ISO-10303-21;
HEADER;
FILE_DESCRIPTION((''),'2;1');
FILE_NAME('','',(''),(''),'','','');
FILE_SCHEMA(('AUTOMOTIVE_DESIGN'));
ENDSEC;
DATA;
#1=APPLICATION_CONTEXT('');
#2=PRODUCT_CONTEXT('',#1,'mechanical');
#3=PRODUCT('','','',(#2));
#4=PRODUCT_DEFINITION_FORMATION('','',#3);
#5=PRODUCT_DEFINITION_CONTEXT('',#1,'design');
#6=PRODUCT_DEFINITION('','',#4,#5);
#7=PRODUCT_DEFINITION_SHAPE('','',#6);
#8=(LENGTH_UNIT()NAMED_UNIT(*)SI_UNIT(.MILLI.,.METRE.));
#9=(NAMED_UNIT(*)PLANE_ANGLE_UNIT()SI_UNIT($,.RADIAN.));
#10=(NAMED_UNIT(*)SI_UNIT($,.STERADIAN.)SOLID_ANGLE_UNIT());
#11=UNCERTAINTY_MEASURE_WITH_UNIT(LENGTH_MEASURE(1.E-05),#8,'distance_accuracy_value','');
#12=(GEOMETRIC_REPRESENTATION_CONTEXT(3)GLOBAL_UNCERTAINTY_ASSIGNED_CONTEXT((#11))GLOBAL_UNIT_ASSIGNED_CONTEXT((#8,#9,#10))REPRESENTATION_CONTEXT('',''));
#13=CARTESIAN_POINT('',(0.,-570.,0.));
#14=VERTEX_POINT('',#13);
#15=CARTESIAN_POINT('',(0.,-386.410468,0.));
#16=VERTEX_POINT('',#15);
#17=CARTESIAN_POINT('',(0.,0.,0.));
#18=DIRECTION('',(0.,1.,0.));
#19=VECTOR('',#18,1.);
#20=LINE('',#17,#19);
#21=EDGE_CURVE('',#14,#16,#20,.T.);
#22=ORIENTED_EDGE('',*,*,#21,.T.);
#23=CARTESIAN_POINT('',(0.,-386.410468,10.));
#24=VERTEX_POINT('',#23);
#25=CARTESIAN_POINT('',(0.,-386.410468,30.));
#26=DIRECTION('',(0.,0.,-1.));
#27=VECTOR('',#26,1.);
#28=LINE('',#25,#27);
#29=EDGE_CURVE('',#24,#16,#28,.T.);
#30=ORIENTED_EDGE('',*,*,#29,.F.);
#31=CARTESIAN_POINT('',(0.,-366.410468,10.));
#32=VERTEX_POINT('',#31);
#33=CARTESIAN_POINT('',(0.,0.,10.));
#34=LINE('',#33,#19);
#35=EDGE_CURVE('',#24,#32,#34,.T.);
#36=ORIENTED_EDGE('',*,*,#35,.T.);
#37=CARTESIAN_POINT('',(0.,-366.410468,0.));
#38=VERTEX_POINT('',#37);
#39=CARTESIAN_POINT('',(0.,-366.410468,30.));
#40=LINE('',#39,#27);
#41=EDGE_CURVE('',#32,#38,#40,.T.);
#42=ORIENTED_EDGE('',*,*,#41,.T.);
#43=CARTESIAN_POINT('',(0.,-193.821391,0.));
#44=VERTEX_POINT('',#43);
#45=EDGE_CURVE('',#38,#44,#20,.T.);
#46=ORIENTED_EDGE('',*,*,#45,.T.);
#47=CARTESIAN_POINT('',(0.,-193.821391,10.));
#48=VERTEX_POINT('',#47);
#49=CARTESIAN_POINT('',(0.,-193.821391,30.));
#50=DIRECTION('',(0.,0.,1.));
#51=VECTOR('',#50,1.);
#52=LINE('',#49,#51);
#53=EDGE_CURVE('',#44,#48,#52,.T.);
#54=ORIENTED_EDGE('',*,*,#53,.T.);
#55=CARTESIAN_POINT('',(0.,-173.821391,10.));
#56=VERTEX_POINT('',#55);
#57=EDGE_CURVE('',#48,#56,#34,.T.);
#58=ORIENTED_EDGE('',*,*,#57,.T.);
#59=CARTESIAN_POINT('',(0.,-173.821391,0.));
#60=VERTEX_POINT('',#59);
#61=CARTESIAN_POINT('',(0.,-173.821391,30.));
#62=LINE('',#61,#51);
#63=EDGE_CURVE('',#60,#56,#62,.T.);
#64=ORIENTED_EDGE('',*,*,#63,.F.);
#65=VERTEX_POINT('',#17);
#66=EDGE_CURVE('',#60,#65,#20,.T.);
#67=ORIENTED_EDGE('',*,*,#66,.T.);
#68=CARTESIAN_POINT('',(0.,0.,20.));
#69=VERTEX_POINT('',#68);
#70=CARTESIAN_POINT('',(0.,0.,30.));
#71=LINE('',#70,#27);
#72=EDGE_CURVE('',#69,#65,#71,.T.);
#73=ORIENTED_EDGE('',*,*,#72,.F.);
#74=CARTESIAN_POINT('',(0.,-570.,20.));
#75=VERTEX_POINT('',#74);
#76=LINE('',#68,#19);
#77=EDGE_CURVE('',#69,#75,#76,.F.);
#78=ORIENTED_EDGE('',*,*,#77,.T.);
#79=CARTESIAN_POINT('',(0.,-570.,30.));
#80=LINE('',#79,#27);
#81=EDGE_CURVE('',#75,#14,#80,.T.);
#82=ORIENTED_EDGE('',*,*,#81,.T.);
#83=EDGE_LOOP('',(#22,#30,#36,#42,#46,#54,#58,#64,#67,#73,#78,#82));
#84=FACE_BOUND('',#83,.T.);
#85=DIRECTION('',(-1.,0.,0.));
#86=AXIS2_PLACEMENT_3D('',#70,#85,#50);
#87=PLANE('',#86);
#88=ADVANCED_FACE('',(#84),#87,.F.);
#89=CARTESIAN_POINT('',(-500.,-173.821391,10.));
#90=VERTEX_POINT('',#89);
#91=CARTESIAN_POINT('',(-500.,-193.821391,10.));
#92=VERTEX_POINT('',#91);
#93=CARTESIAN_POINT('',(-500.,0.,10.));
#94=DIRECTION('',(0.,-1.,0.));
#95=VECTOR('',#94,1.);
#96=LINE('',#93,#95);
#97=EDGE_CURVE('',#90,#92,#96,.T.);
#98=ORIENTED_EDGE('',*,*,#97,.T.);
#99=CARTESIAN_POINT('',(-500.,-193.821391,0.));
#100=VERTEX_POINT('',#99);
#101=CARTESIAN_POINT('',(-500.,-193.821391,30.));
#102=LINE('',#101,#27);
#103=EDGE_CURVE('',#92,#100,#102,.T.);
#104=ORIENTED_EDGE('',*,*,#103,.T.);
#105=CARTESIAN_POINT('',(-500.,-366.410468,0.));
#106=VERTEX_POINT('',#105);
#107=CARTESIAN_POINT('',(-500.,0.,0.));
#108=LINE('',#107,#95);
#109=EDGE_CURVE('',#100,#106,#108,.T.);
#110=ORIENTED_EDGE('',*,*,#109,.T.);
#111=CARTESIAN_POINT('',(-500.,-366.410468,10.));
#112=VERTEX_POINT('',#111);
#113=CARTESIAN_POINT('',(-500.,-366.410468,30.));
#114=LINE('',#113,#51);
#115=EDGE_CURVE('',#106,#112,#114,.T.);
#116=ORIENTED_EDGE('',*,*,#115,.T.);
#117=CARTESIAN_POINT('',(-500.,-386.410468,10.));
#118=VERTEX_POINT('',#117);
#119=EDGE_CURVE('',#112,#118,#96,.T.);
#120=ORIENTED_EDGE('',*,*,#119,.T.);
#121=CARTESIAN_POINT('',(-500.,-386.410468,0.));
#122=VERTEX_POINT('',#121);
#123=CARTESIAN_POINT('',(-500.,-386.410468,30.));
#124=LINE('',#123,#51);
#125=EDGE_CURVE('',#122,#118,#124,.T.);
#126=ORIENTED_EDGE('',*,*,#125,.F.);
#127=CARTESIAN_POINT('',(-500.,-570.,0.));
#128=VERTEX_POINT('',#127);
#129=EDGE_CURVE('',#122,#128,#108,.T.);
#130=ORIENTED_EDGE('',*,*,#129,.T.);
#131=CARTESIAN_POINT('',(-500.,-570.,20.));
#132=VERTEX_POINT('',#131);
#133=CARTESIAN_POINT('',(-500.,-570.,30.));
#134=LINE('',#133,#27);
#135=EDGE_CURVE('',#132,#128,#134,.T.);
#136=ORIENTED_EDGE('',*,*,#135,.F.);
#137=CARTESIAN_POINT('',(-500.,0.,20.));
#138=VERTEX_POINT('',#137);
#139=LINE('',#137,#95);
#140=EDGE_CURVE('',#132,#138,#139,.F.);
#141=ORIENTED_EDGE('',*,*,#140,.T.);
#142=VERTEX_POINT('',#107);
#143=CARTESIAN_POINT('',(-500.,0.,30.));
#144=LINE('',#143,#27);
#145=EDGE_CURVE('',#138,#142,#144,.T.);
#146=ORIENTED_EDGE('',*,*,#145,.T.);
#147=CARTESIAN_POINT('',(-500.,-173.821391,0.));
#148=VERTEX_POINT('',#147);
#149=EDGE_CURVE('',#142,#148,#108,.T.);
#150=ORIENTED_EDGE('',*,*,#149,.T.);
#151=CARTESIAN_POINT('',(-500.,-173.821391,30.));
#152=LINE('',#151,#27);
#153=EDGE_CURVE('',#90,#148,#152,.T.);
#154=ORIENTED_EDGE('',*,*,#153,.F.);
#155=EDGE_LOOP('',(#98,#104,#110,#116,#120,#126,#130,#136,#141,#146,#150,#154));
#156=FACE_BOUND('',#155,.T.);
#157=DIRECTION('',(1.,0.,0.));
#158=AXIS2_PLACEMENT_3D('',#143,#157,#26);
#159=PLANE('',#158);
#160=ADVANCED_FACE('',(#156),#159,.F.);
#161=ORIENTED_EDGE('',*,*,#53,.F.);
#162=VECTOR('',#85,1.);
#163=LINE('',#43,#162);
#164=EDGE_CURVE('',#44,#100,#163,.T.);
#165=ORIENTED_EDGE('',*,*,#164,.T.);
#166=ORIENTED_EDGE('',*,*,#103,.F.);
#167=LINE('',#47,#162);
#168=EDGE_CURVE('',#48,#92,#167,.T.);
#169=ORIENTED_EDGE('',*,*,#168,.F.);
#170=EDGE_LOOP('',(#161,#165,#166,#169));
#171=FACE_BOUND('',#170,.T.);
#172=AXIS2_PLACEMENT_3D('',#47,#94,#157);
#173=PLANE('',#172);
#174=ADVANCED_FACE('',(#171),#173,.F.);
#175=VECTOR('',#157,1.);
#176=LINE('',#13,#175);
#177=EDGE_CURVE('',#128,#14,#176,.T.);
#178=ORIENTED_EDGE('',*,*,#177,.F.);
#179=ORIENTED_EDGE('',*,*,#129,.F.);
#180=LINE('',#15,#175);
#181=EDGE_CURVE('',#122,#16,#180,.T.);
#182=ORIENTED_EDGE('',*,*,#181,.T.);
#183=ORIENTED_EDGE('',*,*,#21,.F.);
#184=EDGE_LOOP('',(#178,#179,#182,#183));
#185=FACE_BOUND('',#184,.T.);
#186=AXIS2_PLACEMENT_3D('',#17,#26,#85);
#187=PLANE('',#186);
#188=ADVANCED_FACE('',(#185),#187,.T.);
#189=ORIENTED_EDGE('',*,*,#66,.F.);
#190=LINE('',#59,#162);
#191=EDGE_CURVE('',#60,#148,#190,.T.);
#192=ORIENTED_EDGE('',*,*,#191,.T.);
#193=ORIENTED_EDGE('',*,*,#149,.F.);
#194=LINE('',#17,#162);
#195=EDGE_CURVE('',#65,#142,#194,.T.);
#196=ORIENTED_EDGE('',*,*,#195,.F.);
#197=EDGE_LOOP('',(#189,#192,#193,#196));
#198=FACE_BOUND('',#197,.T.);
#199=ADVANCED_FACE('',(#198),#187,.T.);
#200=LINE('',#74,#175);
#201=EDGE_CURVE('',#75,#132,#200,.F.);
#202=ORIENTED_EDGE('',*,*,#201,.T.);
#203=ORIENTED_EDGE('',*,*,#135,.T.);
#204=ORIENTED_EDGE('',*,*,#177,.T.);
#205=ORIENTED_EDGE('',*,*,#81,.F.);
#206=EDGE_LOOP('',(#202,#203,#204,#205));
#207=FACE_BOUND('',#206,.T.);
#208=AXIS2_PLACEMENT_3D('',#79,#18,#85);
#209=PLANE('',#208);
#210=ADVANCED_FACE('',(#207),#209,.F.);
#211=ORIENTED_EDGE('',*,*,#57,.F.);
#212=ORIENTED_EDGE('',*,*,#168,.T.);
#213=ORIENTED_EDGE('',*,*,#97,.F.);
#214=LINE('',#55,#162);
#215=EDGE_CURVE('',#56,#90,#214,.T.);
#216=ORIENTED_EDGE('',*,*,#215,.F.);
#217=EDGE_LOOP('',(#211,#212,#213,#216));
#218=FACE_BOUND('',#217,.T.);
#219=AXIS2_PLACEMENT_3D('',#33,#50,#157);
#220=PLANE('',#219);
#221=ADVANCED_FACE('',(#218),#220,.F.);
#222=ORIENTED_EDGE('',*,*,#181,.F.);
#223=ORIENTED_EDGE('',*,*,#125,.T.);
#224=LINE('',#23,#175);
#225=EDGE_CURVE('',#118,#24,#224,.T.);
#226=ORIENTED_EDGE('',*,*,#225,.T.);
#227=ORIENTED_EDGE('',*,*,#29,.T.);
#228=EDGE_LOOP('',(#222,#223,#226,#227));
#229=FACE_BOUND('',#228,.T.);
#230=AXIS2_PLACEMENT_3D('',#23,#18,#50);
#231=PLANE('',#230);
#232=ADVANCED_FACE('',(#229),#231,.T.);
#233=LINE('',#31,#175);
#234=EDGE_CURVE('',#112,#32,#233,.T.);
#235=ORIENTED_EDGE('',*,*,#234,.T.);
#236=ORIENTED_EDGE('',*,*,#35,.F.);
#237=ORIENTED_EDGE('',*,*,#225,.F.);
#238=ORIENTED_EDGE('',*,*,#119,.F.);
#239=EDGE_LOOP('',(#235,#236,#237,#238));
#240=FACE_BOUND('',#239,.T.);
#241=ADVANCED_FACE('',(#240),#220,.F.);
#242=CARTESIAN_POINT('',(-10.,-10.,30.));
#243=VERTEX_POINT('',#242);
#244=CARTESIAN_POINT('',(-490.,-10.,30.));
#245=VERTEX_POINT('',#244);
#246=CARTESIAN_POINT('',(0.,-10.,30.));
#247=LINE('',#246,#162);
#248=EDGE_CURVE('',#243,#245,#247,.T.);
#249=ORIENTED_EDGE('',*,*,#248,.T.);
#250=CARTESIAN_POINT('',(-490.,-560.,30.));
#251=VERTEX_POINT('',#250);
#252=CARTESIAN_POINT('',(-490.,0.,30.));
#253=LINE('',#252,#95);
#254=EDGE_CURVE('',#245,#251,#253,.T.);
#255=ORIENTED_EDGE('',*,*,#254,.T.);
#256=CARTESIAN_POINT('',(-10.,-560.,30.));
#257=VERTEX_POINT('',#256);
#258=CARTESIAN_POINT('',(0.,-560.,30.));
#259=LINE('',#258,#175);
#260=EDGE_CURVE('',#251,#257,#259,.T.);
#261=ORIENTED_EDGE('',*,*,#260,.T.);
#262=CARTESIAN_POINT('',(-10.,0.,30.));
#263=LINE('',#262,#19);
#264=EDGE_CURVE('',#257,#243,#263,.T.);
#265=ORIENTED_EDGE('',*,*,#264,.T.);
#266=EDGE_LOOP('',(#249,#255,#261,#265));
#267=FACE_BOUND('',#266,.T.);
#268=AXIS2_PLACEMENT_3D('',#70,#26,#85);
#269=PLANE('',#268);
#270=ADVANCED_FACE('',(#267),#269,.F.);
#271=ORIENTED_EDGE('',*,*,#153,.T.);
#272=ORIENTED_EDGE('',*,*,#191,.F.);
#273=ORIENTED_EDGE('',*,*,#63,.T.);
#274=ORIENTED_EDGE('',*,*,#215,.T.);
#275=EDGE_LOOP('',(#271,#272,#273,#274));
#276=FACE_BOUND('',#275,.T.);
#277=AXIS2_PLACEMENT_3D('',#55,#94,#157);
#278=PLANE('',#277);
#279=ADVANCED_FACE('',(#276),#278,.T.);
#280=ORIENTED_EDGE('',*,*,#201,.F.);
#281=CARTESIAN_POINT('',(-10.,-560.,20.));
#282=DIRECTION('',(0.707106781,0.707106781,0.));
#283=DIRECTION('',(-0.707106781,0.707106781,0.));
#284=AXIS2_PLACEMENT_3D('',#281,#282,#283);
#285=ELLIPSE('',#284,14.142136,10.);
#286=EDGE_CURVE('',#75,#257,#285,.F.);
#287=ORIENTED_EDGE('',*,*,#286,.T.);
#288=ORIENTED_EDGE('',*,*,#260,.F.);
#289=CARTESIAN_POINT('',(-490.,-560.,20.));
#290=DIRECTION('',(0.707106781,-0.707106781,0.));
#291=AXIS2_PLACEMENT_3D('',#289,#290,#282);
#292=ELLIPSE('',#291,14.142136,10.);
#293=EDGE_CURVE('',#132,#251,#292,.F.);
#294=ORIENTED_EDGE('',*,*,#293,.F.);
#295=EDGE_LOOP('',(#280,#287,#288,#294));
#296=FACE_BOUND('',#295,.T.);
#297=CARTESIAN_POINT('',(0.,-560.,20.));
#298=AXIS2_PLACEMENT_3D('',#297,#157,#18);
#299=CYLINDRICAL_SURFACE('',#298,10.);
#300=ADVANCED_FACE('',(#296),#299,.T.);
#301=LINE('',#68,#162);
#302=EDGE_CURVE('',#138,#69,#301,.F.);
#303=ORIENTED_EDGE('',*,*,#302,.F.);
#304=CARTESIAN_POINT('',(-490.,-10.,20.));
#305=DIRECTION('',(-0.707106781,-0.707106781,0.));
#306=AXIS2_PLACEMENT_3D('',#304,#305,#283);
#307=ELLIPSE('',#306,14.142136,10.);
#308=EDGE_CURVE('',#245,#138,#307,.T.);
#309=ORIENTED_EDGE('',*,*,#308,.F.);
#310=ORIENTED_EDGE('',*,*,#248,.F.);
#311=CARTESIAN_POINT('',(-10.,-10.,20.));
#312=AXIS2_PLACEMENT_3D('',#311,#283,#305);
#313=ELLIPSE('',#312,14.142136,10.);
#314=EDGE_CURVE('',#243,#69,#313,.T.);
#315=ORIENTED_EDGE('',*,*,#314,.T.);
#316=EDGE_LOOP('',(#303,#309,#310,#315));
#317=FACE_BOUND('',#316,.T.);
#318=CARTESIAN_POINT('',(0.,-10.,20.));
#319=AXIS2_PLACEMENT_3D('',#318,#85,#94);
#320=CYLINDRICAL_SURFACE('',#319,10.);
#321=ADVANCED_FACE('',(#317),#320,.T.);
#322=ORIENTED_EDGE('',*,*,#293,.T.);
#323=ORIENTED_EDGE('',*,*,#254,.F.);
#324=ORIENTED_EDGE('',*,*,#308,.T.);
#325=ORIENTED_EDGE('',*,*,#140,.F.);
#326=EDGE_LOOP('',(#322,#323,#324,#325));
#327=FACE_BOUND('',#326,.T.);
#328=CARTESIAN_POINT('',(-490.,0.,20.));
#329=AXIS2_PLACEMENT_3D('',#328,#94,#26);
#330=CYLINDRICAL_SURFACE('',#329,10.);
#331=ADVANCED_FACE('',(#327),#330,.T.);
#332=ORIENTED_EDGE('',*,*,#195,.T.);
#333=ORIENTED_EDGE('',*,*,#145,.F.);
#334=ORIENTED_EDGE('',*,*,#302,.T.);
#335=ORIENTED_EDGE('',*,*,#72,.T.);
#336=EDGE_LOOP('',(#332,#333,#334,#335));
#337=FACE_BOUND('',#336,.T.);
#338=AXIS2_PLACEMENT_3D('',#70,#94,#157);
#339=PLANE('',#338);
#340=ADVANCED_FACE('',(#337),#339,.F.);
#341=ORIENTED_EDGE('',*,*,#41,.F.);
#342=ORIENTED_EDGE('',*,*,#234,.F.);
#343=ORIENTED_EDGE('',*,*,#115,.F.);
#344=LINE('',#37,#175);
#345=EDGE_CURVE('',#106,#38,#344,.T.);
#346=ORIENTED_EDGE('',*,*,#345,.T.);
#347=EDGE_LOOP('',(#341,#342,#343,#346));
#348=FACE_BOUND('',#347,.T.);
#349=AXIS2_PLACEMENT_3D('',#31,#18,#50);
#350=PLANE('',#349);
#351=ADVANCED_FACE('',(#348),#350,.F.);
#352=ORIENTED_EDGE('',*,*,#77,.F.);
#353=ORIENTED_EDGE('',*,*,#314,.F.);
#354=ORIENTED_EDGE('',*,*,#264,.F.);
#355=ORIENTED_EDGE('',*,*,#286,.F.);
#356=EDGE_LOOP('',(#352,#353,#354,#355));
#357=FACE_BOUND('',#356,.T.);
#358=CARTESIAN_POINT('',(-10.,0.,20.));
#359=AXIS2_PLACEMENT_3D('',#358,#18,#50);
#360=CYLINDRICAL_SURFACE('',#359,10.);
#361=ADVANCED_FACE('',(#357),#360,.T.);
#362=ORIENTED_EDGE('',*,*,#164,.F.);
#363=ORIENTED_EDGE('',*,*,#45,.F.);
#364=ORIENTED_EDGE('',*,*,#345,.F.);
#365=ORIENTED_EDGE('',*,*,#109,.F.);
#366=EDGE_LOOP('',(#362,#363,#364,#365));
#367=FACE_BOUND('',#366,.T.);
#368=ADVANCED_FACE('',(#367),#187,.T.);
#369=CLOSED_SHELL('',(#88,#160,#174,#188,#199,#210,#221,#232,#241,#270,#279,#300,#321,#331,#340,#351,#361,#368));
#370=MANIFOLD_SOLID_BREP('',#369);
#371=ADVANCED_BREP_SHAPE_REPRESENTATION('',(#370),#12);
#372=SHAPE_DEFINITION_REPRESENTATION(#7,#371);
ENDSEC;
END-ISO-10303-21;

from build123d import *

# Parameters (mm, degrees)
SKETCH1_W           = 500
SKETCH1_H           = 570
BOSS_EXTRUDE1_DEPTH = 30
FILLET1_R           = 10
SKETCH3_W           = 500
SKETCH3_H           = 20
SKETCH3_W_2         = 24.124551532
SKETCH3_W_3         = 40.885345678
SKETCH3_W_4         = 75.086674906
CUT_EXTRUDE1_DEPTH  = 10


with BuildPart() as part:
    # Sketch1 → Boss-Extrude1 (new body)
    with BuildSketch(Plane.XY):
        with Locations((-250, -285)):
            Rectangle(SKETCH1_W, SKETCH1_H)
    extrude(amount=BOSS_EXTRUDE1_DEPTH)

    # Fillet1
    fillet1_edges = [part.edges().sort_by_distance(p)[0] for p in [
        (-500, -285, 30),
        (-250, -570, 30),
        (0, -285, 30),
        (-250, 0, 30),
    ]]
    fillet(fillet1_edges, radius=FILLET1_R)

    # Sketch3 → Cut-Extrude1 (cut)
    with BuildSketch(Plane.XY):
        with Locations((-250, -376.410467709)):
            Rectangle(SKETCH3_W, SKETCH3_H)
        with Locations((-512.062275766, -376.410467709)):
            Rectangle(SKETCH3_W_2, SKETCH3_H)
        with Locations((12.062275766, -376.410467709)):
            Rectangle(SKETCH3_W_2, SKETCH3_H)
        with Locations((20.442672839, -183.821390857)):
            Rectangle(SKETCH3_W_3, SKETCH3_H)
        with Locations((-250, -183.821390857)):
            Rectangle(SKETCH3_W, SKETCH3_H)
        with Locations((-537.543337453, -183.821390857)):
            Rectangle(SKETCH3_W_4, SKETCH3_H)
    extrude(amount=CUT_EXTRUDE1_DEPTH, mode=Mode.SUBTRACT)


solid = part.part
